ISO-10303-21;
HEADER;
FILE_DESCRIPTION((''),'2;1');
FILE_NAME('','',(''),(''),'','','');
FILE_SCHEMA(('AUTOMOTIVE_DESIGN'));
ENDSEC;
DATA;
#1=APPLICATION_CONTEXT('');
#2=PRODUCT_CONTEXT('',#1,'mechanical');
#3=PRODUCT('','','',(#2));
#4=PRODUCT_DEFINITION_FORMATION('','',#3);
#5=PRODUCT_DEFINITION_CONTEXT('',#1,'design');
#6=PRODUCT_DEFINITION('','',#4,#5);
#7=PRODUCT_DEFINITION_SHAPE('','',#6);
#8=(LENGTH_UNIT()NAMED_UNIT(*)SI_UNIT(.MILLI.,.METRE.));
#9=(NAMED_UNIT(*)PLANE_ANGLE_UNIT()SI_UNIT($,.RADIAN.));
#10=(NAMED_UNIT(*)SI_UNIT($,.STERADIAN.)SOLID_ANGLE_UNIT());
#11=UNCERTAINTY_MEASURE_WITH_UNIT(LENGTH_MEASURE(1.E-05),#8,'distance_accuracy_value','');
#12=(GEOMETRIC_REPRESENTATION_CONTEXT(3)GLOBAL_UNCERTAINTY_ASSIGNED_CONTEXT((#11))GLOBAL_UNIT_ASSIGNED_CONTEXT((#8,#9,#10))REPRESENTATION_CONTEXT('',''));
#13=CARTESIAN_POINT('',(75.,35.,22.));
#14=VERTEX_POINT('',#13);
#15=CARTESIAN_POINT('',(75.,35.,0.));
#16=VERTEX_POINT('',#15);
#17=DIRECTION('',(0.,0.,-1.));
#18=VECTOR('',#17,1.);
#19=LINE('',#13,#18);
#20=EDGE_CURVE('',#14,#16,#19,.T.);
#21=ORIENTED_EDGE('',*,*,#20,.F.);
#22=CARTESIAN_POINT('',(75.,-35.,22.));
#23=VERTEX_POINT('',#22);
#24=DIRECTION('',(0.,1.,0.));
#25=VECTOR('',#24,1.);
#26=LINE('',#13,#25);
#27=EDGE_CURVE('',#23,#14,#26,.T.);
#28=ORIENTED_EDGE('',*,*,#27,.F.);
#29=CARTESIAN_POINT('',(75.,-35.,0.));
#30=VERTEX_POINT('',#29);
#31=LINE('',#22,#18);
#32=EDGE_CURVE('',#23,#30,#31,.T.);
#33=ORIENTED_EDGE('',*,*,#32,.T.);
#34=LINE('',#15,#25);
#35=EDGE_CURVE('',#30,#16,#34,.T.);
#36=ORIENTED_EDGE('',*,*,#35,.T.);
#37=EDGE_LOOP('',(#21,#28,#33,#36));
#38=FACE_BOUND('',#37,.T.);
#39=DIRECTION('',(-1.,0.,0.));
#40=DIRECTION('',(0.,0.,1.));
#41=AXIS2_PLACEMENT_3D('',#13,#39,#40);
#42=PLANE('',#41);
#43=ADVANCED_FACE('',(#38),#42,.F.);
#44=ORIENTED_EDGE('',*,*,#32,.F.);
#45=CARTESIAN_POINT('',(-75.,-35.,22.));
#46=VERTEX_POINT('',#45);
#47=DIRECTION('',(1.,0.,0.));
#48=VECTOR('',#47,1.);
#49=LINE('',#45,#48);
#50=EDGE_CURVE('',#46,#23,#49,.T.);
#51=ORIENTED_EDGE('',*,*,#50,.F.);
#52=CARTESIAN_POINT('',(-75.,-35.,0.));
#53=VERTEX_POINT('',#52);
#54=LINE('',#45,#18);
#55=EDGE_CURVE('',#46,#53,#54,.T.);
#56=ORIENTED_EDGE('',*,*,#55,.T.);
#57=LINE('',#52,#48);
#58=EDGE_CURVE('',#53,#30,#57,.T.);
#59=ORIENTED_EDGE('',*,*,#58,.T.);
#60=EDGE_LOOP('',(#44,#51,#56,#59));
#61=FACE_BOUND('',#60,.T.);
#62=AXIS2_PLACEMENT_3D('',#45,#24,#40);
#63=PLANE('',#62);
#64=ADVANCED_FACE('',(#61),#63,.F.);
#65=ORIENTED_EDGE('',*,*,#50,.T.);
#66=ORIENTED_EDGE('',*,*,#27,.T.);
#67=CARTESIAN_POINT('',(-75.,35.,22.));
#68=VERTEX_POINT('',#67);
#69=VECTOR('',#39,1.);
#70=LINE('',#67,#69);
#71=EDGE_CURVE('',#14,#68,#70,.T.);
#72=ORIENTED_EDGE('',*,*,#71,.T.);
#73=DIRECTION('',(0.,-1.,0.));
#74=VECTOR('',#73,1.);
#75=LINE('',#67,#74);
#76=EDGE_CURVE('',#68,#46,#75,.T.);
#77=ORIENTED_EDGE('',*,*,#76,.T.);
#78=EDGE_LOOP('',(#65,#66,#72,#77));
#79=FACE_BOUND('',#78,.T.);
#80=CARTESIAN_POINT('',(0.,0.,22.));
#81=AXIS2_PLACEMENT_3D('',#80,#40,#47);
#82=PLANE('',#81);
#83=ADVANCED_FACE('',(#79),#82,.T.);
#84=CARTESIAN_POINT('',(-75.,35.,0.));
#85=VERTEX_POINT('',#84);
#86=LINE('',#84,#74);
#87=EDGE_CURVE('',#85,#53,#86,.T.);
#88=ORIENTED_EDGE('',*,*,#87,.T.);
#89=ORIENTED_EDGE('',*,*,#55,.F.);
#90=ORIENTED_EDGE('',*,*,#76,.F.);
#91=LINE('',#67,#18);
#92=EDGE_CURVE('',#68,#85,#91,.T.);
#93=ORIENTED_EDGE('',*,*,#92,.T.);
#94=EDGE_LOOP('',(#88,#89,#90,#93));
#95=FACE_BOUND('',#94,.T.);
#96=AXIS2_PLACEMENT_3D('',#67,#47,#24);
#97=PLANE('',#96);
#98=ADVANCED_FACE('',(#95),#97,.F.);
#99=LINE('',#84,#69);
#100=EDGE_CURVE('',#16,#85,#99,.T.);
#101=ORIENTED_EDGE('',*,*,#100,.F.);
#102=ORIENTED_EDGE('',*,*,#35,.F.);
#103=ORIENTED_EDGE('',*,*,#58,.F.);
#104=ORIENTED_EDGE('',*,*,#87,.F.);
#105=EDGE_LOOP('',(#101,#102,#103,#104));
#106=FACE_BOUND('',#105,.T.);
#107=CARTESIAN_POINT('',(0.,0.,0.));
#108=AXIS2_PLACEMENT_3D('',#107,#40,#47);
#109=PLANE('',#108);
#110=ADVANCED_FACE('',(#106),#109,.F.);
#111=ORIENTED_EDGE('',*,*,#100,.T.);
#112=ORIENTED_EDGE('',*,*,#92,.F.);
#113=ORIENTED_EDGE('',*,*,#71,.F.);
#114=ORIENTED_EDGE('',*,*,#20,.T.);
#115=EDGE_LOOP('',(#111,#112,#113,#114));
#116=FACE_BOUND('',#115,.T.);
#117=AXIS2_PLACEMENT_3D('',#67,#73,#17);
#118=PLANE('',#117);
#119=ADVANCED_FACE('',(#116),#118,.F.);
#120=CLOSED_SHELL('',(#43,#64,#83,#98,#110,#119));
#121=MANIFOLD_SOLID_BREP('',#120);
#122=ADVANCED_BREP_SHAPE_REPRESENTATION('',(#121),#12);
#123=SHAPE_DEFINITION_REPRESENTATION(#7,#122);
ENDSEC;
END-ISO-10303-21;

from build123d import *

# Parameters (mm, degrees)
ESQUISSE1_W        = 150
ESQUISSE1_H        = 70
BOSS_EXTRU_1_DEPTH = 22


with BuildPart() as part:
    # Esquisse1 → Boss.-Extru.1 (new body)
    with BuildSketch(Plane.XY):
        Rectangle(ESQUISSE1_W, ESQUISSE1_H)
    extrude(amount=BOSS_EXTRU_1_DEPTH)


solid = part.part
